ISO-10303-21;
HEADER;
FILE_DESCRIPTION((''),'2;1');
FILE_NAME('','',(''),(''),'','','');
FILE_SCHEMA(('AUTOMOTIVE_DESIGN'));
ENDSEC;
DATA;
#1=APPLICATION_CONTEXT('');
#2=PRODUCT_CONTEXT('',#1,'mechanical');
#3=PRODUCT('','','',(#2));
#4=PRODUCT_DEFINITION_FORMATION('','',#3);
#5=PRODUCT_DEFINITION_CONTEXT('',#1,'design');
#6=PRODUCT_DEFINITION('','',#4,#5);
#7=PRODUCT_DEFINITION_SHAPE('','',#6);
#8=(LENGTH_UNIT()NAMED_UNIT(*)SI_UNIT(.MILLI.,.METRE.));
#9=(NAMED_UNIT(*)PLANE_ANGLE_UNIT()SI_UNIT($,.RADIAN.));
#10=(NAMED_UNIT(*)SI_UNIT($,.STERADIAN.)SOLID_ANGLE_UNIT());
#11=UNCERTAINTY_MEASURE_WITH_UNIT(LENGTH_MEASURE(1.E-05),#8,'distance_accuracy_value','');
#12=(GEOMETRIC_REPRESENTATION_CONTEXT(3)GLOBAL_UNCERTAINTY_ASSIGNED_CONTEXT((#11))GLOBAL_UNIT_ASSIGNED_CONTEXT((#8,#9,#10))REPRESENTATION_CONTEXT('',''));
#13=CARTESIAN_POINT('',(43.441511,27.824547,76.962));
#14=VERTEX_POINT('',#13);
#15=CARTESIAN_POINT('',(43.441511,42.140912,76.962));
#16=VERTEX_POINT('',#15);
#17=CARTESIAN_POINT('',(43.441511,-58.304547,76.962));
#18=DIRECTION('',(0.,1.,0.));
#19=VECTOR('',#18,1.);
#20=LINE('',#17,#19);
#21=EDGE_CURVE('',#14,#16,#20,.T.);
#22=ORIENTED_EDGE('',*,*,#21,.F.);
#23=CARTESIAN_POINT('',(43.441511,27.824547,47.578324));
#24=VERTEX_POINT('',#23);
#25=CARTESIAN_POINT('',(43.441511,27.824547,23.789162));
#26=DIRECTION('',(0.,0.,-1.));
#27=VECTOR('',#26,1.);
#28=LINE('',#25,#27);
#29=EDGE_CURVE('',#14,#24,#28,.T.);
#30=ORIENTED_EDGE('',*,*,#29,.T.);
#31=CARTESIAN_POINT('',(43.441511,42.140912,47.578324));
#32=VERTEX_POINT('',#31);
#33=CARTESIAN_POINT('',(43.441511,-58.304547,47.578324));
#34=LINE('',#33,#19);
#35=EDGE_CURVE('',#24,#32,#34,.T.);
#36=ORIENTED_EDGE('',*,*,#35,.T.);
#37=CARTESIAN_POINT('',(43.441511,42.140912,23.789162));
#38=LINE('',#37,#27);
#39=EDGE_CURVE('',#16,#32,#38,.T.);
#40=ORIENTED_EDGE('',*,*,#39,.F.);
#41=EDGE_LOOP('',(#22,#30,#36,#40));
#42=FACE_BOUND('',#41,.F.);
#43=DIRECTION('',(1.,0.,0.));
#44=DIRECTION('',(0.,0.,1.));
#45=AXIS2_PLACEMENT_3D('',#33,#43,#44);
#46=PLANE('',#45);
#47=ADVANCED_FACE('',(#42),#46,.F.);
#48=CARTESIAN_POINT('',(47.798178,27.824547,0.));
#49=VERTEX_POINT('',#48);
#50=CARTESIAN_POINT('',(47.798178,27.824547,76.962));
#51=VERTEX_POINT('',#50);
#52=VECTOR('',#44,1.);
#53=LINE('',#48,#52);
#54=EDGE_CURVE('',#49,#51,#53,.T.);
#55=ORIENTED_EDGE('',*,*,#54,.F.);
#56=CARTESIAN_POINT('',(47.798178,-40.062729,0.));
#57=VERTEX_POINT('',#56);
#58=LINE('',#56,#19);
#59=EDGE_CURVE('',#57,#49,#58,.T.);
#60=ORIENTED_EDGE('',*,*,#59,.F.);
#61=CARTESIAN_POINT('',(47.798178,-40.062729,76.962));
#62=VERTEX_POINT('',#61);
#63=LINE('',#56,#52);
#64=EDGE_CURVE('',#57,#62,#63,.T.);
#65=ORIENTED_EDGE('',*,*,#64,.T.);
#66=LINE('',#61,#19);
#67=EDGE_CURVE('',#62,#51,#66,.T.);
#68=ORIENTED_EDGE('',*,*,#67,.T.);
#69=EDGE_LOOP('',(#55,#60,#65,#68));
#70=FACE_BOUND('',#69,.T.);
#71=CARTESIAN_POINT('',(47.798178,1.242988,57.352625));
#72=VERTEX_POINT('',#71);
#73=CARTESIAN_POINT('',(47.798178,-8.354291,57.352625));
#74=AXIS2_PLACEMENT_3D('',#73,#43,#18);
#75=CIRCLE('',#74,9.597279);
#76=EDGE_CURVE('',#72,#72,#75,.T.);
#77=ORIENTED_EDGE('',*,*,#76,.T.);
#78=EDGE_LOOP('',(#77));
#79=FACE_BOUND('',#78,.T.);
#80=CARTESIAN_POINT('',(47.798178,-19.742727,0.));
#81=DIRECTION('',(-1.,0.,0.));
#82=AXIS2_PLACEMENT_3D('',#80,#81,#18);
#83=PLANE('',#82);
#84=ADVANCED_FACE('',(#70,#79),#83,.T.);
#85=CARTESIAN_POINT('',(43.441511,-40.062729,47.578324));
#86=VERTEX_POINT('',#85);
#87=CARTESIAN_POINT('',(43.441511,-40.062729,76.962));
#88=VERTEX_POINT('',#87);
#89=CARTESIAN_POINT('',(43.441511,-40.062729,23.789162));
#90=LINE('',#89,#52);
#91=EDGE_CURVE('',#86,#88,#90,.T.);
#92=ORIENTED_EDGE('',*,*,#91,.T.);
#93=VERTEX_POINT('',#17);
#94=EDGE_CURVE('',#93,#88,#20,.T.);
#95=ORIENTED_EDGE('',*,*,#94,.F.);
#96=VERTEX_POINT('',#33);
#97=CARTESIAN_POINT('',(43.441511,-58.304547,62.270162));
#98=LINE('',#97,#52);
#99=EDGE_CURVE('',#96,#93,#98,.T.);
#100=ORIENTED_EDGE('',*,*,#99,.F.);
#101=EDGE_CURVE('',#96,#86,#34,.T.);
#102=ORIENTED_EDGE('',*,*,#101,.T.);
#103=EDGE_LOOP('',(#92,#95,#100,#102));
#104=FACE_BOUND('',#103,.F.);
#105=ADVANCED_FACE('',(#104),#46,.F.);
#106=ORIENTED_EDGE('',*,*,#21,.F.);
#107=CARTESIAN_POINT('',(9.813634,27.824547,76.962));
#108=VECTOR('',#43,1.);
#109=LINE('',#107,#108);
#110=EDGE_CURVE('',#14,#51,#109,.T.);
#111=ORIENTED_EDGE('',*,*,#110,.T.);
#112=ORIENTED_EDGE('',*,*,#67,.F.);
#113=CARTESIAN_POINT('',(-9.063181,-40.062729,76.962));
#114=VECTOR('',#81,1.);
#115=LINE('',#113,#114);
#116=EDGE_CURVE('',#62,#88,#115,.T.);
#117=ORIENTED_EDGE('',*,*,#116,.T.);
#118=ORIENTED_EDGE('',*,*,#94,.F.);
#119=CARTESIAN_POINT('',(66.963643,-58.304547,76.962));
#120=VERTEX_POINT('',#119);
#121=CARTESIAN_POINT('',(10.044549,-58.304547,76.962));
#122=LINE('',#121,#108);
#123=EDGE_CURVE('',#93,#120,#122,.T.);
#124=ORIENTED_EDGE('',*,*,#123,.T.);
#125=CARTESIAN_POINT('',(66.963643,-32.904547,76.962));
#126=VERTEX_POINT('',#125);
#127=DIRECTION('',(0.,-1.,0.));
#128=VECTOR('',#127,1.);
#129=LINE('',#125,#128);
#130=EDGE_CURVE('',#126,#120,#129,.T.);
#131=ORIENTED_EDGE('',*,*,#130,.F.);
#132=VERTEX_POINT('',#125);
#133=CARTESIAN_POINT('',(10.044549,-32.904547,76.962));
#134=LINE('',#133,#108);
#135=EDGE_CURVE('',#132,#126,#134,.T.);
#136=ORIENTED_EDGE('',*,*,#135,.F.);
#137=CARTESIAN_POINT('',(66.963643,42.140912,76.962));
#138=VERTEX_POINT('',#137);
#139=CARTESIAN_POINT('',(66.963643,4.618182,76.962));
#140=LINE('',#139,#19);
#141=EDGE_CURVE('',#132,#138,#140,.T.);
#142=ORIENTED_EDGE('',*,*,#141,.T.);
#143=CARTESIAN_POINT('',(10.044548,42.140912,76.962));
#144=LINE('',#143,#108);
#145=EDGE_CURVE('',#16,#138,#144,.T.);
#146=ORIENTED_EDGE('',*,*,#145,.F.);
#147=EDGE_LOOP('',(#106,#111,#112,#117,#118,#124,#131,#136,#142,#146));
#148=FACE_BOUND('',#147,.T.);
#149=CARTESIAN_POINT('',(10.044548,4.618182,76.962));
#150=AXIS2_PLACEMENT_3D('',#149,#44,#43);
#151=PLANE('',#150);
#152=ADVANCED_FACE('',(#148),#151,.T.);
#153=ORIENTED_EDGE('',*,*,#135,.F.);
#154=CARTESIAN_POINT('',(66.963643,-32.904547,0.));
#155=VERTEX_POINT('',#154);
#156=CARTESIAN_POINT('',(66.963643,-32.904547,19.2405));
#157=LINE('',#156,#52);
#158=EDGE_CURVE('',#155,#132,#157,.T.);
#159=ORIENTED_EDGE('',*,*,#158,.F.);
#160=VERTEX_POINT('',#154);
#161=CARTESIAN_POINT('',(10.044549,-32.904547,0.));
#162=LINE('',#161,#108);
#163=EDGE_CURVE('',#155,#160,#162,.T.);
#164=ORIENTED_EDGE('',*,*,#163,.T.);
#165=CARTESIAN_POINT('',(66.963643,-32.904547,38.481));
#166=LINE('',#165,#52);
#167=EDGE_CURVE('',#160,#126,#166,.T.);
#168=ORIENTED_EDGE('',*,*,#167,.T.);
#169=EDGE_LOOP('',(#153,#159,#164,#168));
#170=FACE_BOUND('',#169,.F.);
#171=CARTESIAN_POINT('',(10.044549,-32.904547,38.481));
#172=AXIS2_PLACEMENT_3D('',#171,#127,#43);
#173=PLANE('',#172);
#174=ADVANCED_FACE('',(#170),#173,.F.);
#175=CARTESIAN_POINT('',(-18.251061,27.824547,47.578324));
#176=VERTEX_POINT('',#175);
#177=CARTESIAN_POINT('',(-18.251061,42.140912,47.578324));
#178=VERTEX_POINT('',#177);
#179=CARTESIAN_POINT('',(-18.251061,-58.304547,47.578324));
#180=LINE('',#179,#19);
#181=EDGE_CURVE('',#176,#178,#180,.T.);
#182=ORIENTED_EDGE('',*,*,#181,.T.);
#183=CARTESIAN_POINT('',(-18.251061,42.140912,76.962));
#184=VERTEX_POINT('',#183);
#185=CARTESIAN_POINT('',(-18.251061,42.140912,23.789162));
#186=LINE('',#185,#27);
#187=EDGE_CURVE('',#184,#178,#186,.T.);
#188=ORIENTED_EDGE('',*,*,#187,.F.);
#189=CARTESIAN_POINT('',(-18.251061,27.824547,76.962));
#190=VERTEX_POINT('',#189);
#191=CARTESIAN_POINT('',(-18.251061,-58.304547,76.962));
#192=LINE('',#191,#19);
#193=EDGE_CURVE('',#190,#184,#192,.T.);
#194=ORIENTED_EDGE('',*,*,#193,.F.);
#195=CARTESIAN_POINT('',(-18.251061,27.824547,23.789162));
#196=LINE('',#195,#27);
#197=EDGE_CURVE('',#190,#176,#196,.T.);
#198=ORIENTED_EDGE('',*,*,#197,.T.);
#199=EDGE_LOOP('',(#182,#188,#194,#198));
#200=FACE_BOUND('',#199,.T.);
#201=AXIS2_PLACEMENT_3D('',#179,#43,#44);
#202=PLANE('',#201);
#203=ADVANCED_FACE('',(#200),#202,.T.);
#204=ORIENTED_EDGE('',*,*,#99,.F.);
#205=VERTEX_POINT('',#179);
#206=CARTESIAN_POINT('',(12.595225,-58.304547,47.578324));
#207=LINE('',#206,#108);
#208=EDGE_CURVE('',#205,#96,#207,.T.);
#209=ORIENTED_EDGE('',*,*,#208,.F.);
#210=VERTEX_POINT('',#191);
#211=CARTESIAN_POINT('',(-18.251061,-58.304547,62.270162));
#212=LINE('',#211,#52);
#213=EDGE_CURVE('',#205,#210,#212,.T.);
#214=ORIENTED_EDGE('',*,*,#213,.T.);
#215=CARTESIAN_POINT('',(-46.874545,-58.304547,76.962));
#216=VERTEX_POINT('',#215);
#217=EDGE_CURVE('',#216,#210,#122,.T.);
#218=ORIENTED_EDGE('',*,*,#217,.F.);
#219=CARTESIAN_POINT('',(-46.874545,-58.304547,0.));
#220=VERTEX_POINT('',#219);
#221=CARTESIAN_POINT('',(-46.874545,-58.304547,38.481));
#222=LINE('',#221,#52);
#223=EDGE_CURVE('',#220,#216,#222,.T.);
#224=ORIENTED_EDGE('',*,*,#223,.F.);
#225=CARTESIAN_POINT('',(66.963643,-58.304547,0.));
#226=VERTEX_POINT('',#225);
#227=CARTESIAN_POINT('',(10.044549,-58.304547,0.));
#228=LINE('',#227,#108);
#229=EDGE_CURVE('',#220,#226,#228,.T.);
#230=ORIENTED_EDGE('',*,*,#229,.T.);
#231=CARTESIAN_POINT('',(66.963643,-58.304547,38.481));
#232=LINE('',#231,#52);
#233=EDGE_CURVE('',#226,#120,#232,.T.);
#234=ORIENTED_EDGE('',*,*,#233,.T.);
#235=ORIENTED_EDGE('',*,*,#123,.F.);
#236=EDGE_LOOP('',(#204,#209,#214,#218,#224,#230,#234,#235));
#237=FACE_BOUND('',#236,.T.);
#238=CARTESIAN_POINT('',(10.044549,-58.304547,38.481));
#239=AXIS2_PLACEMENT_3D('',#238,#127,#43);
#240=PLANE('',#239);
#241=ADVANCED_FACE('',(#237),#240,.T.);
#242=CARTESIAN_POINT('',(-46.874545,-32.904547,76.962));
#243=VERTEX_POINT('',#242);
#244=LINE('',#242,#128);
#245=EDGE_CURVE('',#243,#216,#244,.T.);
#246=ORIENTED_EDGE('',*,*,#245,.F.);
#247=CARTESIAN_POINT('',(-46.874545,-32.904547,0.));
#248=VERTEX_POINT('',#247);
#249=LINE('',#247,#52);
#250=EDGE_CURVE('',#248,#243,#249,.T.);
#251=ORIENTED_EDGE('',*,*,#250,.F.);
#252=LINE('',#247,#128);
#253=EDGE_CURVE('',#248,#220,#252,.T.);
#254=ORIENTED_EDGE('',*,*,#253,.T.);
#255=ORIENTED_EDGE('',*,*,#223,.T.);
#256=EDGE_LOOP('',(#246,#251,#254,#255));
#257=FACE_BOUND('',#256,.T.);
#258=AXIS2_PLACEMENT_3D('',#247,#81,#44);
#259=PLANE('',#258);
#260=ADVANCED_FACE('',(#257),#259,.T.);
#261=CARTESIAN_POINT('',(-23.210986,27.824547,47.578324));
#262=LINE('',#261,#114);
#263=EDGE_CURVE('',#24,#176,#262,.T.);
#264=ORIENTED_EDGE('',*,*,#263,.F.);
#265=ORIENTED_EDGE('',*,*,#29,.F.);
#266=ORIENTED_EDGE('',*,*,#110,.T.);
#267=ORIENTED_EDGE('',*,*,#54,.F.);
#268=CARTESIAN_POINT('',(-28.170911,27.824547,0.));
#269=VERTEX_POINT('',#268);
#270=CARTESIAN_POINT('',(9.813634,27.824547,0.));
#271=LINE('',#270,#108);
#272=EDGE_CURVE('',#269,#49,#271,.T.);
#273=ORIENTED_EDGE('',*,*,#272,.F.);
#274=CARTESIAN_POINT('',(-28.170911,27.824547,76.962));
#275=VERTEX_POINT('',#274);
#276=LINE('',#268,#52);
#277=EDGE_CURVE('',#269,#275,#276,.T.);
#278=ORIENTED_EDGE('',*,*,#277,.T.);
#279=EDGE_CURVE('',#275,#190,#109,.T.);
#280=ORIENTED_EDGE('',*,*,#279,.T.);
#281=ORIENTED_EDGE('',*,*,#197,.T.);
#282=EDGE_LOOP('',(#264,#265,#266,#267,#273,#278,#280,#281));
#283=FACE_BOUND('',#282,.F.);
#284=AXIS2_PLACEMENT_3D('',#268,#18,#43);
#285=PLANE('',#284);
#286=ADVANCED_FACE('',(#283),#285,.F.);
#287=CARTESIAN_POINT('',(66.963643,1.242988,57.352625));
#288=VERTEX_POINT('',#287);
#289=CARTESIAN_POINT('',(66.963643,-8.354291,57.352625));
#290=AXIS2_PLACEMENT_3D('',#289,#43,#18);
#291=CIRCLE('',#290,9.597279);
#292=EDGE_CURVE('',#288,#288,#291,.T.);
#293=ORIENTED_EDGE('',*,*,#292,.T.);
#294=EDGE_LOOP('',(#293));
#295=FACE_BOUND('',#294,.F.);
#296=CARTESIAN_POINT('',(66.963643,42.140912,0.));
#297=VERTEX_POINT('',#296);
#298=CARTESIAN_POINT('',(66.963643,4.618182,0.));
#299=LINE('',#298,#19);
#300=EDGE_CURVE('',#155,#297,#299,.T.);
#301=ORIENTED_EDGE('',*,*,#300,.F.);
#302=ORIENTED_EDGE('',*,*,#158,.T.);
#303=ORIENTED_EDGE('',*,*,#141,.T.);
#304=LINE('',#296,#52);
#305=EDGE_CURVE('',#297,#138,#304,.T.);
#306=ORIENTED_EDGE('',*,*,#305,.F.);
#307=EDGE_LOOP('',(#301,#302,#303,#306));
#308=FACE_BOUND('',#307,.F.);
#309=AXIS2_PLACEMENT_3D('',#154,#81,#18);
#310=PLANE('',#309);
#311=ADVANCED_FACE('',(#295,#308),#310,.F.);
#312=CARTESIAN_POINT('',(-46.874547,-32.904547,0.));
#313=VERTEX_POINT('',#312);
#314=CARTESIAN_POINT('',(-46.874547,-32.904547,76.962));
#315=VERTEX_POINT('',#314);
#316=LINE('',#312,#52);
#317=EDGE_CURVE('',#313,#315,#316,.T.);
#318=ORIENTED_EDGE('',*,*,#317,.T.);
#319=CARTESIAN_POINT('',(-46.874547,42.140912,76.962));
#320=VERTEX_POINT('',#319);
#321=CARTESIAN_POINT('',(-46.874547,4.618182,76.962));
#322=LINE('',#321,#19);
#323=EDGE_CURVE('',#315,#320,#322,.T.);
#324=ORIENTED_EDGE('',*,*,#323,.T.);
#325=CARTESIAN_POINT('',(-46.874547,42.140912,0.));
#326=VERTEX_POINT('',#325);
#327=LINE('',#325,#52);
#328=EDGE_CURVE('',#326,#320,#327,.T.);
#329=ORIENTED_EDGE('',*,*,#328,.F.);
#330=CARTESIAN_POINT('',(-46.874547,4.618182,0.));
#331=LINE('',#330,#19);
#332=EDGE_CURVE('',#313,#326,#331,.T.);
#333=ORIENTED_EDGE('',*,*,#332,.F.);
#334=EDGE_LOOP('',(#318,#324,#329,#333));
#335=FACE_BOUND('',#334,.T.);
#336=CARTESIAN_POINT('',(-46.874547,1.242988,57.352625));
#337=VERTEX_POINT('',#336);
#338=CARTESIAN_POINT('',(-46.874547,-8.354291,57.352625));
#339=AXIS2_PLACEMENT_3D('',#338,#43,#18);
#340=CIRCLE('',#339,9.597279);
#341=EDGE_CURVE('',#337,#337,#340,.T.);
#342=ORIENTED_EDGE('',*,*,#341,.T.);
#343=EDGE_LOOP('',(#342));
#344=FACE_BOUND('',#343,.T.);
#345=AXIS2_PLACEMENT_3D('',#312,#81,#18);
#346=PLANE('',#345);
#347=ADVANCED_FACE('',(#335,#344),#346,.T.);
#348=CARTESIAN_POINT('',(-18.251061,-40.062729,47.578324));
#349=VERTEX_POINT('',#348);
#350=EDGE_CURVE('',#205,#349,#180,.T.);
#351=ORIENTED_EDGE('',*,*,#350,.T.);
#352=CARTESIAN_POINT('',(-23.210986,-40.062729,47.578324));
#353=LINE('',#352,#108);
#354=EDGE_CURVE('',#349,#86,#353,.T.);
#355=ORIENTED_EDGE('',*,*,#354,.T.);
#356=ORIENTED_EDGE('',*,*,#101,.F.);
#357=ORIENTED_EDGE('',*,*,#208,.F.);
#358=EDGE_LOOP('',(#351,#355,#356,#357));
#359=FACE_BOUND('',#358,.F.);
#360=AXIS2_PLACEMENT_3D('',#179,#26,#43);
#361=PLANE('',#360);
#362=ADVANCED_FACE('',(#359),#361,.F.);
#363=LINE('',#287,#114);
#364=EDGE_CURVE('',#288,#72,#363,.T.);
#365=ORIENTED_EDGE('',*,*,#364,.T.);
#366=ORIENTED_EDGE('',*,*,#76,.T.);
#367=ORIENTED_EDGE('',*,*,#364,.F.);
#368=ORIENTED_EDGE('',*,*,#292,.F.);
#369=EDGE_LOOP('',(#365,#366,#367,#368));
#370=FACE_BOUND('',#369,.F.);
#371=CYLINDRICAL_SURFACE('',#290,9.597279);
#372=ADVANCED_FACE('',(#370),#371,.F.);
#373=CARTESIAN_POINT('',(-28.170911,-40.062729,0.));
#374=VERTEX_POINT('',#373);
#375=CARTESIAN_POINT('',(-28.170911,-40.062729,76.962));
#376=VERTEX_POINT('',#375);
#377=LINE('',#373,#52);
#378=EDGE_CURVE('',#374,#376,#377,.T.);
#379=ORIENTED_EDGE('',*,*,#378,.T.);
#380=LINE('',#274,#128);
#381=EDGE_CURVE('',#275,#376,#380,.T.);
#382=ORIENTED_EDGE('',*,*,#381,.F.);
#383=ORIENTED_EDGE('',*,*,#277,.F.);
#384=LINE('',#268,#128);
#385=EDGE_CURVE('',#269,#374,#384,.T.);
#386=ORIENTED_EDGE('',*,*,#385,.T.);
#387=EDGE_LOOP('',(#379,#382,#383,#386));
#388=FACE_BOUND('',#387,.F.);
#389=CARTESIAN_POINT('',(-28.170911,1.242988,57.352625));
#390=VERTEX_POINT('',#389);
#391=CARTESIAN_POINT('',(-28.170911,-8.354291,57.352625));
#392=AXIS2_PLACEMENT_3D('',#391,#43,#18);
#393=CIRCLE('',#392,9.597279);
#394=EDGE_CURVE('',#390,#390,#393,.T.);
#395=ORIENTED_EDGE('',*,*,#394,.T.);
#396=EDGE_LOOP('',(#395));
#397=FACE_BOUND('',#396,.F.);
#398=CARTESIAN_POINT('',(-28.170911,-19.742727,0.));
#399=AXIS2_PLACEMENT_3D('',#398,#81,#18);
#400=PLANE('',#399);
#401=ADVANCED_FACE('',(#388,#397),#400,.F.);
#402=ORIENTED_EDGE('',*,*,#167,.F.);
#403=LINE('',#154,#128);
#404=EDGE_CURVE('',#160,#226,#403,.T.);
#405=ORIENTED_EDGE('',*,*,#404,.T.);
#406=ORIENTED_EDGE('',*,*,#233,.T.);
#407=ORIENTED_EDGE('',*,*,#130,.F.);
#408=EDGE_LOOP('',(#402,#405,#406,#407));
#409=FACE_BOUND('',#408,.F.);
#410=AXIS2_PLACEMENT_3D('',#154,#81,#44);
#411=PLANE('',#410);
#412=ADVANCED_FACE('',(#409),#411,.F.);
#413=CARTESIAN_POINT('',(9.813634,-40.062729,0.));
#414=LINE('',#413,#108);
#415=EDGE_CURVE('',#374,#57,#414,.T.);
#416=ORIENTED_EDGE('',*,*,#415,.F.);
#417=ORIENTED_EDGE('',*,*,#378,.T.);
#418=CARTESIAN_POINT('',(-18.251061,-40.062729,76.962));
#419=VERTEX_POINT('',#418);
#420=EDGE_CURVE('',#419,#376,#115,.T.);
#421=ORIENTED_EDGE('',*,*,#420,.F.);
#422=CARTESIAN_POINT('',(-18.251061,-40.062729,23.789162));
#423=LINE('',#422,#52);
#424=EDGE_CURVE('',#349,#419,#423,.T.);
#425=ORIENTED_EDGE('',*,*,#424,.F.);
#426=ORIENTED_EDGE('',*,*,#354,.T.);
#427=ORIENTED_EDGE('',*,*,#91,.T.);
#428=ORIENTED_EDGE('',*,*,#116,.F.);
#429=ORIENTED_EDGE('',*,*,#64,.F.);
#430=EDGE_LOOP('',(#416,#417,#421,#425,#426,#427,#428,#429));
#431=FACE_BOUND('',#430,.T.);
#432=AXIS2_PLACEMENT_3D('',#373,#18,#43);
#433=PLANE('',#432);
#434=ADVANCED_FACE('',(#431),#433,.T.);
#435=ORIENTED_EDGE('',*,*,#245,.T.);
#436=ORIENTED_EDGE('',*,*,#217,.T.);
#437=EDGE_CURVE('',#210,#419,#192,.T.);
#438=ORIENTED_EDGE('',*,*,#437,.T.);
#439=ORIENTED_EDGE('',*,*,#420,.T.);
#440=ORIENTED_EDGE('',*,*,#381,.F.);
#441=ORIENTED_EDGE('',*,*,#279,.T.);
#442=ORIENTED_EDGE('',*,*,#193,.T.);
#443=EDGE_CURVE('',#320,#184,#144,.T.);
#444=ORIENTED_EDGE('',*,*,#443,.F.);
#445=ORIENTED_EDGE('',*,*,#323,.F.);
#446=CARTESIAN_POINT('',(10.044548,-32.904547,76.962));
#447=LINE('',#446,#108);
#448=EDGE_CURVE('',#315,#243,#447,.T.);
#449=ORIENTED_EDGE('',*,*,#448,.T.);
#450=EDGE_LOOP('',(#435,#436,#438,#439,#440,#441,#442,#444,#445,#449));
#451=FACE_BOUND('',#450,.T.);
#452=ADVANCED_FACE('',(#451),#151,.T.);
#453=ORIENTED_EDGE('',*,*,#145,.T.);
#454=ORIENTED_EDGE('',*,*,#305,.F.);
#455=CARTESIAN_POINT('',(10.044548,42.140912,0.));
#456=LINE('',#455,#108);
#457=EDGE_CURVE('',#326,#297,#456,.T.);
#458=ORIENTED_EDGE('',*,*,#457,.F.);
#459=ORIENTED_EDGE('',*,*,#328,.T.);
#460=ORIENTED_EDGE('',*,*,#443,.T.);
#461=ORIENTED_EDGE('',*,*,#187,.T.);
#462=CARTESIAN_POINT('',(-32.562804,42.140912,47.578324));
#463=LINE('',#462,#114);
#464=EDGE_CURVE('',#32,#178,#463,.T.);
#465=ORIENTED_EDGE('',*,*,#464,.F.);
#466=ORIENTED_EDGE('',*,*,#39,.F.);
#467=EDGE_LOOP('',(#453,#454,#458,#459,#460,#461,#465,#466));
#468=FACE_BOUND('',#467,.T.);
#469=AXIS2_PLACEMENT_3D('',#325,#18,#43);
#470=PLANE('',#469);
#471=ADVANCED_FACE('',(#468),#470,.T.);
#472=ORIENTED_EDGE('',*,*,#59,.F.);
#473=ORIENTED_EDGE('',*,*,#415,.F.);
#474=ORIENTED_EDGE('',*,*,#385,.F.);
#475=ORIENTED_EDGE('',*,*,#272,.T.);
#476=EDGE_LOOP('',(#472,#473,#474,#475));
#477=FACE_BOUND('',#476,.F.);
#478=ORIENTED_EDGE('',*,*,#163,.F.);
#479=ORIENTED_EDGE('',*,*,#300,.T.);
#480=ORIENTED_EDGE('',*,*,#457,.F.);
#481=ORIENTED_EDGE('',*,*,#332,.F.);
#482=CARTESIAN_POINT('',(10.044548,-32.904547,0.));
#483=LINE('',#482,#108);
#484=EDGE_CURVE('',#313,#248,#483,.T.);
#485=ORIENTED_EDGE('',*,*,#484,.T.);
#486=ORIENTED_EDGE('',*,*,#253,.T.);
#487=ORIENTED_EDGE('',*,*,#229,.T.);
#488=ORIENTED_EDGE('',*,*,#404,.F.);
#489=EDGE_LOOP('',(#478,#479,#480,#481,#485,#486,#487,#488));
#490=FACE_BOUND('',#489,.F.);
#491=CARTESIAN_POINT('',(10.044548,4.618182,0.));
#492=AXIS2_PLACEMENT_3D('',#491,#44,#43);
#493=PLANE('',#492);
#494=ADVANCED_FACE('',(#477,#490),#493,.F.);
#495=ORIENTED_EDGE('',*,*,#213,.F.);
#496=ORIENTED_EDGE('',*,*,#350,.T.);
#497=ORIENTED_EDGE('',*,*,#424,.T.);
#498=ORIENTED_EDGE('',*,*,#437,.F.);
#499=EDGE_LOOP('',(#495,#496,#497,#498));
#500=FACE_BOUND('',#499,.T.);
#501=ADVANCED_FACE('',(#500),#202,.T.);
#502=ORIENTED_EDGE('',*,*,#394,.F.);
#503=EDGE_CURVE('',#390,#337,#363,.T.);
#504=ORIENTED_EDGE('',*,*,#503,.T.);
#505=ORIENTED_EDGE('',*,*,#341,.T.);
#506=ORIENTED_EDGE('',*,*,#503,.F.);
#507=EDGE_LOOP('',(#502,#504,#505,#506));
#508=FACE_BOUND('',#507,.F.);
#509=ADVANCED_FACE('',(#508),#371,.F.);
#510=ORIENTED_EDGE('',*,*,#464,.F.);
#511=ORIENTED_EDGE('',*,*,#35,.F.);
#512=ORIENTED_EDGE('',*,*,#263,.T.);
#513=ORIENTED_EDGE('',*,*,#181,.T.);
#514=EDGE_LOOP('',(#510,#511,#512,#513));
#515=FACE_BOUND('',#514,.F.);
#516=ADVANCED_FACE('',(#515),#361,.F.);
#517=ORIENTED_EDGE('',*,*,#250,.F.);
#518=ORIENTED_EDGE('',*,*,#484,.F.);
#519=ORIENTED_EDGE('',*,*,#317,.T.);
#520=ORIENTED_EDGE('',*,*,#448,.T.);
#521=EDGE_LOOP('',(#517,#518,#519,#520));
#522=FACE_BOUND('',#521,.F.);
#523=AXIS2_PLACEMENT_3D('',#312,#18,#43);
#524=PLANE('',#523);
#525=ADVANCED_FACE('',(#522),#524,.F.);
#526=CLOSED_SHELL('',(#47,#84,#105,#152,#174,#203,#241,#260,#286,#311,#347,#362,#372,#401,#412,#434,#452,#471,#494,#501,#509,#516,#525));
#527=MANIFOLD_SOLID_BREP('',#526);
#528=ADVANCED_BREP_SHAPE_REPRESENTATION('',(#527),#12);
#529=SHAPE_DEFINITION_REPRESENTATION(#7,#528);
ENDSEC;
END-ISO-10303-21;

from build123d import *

# Parameters (mm, degrees)
F0_W      = 113.838189
F0_H      = 75.045459
F0_W_2    = 75.969089
F0_H_2    = 47.567274
F1_DEPTH  = 76.962
F1_FACE_W = 113.838188
F1_FACE_H = 76.962
F2_DEPTH  = 25.4
F3_W      = 61.692573
F3_H      = 29.383676
F4_DEPTH  = 132.842
F5_W      = 75.969089
F5_H      = 67.656364
F6_DEPTH  = 129.032
F7_R      = 9.597279
F8_DEPTH  = 241.808


with BuildPart() as f1:
    # F0 (on Top) → F1 (new body)
    with BuildSketch(Plane.XY):
        with Locations((10.044548, 4.618182)):
            Rectangle(F0_W, F0_H)
        with Locations((9.813634, 4.04091)):
            Rectangle(F0_W_2, F0_H_2, mode=Mode.SUBTRACT)
    extrude(amount=F1_DEPTH)

    # F1_face (on face) → F2 (join)
    with BuildSketch(Plane(origin=(10.044549, -32.904547, 38.481), x_dir=(1, 0, 0), z_dir=(0, -1, 0))):
        Rectangle(F1_FACE_W, F1_FACE_H)
    extrude(amount=F2_DEPTH)

    # F3 (on face) → F4 (cut)
    with BuildSketch(Plane.XZ.offset(58.304547)):
        with Locations((12.595225, 62.270162)):
            Rectangle(F3_W, F3_H)
    extrude(amount=-F4_DEPTH, mode=Mode.SUBTRACT)

    # F5 (on Top) → F6 (cut)
    with BuildSketch(Plane.XY):
        with Locations((9.813634, -6.234547)):
            Rectangle(F5_W, F5_H)
    extrude(amount=F6_DEPTH, mode=Mode.SUBTRACT)

    # F7 (on face) → F8 (cut)
    with BuildSketch(Plane.YZ.offset(66.963643)):
        with Locations((-8.354291, 57.352625)):
            Circle(F7_R)
    extrude(amount=-F8_DEPTH, mode=Mode.SUBTRACT)


solid = f1.part
